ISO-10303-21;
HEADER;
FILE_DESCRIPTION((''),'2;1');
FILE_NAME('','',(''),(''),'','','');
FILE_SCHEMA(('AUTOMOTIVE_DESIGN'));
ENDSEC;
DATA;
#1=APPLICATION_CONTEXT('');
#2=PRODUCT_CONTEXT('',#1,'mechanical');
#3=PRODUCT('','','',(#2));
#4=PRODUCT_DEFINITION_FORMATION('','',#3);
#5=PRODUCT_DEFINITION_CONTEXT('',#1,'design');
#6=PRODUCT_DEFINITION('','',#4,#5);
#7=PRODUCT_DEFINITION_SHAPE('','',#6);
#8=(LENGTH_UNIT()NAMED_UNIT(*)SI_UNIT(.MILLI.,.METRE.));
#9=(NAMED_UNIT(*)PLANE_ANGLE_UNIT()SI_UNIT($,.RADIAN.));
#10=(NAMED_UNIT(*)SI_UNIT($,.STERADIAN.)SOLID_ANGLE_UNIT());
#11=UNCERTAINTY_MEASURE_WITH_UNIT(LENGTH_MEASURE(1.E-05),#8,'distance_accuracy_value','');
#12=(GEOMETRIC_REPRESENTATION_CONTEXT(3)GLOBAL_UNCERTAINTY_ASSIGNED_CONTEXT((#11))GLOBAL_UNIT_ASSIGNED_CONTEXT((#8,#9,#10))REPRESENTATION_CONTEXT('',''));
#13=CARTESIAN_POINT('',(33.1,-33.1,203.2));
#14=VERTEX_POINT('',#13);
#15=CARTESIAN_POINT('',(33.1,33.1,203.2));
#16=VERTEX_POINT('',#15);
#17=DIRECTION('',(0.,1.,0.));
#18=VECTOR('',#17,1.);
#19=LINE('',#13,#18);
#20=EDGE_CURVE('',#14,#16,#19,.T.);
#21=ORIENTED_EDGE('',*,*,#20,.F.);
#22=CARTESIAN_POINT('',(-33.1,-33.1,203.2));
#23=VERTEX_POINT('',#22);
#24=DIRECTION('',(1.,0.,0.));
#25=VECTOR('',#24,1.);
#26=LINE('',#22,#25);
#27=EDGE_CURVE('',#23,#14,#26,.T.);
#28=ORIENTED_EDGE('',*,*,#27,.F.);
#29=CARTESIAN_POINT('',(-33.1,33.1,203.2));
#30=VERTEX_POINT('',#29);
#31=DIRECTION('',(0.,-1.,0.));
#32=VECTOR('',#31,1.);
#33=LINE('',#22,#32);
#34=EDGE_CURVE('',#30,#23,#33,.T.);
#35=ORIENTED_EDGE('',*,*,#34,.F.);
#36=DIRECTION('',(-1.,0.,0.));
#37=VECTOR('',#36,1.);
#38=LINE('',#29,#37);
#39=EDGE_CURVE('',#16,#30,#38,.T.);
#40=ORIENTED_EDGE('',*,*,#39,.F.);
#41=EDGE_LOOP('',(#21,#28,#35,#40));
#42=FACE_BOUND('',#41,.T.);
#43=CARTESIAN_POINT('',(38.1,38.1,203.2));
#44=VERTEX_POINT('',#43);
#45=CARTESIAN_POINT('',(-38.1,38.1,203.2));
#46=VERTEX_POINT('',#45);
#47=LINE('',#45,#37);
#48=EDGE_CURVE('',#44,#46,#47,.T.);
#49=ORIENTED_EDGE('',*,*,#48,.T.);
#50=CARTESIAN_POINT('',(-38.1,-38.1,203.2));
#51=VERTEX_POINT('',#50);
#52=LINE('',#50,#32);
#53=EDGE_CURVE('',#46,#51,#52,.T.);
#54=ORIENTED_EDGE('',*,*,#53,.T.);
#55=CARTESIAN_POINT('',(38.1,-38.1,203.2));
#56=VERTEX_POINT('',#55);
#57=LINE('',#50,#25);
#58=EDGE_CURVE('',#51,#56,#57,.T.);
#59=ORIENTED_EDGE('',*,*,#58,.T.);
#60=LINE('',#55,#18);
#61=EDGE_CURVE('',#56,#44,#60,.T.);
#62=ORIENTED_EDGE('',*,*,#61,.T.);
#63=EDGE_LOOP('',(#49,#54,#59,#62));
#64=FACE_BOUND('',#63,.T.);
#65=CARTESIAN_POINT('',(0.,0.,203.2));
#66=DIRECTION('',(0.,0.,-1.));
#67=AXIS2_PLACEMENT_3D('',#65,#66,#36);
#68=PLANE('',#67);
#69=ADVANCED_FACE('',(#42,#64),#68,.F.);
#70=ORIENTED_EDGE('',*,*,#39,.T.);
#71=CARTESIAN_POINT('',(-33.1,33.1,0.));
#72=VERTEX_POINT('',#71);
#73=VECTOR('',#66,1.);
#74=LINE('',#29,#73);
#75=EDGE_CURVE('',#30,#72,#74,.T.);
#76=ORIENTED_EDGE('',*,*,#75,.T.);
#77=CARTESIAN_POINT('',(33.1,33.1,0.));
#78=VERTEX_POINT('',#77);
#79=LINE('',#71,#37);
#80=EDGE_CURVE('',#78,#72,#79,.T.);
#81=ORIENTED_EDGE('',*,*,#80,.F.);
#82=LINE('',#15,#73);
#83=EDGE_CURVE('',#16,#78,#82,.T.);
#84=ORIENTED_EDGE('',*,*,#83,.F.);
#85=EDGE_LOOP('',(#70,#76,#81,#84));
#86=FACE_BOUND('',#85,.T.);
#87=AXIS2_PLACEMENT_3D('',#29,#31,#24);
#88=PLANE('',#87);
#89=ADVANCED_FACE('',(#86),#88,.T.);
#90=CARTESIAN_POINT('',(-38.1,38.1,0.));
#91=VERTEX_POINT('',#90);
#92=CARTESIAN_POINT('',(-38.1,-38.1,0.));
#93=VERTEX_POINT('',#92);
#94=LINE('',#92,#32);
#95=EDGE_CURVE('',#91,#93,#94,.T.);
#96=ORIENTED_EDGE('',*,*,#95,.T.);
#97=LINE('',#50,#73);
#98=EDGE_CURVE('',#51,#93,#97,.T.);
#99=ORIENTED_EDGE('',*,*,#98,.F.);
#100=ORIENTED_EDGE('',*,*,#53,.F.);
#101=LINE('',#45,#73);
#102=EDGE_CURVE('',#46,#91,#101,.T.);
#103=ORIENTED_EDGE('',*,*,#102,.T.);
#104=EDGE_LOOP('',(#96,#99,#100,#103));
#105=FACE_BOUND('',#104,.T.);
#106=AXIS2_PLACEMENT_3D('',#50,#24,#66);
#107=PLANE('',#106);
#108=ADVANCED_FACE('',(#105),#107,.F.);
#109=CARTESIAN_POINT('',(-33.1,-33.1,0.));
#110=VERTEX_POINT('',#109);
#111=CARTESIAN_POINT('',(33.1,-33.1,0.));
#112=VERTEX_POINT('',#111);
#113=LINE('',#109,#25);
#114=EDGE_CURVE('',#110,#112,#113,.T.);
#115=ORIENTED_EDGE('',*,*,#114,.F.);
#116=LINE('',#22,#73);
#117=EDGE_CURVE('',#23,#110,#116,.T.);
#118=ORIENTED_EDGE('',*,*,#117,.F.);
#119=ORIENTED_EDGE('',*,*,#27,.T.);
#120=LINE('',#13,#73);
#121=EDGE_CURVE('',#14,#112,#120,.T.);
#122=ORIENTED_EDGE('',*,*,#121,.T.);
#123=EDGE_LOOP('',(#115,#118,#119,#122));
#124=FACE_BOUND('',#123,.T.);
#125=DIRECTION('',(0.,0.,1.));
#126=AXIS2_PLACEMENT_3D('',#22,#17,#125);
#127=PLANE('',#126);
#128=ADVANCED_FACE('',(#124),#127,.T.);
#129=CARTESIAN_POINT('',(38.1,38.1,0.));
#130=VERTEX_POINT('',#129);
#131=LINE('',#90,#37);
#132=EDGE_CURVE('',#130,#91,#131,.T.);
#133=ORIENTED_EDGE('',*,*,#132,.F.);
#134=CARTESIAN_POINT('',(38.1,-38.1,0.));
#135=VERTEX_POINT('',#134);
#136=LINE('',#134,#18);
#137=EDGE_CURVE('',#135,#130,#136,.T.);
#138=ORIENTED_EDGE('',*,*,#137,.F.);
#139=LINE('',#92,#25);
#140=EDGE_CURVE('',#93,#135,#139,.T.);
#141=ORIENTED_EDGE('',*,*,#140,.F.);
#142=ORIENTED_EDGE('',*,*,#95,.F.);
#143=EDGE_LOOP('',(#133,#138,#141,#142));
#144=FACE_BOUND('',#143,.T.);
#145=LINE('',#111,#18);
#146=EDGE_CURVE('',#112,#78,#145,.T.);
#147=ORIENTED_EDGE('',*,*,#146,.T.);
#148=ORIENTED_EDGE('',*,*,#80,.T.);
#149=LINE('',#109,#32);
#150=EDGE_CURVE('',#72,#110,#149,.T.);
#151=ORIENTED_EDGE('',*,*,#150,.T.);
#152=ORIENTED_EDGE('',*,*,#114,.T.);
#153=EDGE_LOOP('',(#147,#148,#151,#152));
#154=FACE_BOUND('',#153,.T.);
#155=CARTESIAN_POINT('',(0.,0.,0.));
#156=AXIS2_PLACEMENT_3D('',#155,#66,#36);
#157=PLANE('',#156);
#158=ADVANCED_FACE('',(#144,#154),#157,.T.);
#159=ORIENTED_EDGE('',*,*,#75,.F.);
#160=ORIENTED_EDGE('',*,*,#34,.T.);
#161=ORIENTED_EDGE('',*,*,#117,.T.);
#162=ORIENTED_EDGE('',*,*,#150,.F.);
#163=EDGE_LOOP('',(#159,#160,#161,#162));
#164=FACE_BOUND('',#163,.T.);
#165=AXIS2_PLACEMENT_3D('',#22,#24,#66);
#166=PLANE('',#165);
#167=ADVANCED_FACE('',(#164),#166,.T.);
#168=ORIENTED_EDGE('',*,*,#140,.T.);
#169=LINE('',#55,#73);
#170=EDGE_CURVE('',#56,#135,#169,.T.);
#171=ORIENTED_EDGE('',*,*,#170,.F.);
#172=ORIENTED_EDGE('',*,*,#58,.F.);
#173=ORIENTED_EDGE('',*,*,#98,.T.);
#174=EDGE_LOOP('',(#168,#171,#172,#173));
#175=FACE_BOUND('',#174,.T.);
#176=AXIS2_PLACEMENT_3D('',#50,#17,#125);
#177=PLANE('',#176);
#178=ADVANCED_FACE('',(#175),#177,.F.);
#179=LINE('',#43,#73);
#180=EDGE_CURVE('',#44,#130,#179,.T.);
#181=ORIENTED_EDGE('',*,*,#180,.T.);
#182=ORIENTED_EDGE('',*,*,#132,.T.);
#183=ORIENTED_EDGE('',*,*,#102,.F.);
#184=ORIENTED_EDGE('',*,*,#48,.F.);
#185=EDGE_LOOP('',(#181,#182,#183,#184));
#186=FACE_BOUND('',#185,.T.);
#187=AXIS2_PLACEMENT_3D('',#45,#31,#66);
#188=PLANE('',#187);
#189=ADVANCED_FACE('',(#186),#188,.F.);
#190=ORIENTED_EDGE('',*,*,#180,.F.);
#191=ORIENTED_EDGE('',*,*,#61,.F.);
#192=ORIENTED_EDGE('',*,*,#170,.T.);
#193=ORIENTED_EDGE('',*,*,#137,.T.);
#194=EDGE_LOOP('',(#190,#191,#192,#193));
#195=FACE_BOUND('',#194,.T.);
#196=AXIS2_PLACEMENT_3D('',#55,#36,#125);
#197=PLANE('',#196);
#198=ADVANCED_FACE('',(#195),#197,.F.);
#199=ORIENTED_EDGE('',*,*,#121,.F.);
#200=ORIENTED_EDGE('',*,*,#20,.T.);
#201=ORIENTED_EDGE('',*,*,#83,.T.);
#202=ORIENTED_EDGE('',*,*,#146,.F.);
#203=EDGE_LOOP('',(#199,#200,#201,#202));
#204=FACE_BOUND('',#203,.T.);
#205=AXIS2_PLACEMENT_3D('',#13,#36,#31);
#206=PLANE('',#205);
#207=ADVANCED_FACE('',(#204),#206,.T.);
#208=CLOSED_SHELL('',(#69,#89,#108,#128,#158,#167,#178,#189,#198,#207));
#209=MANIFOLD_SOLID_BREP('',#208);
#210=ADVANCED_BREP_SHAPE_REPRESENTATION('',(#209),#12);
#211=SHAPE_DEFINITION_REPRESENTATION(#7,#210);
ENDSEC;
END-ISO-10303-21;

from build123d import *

# Parameters (mm, degrees)
SKETCH1_W           = 76.2
SKETCH1_H           = 76.2
SKETCH1_W_2         = 66.2
SKETCH1_H_2         = 66.2
BOSS_EXTRUDE1_DEPTH = 203.2


with BuildPart() as part:
    # Sketch1 → Boss-Extrude1 (new body)
    with BuildSketch(Plane.XY):
        Rectangle(SKETCH1_W, SKETCH1_H)
        Rectangle(SKETCH1_W_2, SKETCH1_H_2, mode=Mode.SUBTRACT)
    extrude(amount=BOSS_EXTRUDE1_DEPTH)


solid = part.part
